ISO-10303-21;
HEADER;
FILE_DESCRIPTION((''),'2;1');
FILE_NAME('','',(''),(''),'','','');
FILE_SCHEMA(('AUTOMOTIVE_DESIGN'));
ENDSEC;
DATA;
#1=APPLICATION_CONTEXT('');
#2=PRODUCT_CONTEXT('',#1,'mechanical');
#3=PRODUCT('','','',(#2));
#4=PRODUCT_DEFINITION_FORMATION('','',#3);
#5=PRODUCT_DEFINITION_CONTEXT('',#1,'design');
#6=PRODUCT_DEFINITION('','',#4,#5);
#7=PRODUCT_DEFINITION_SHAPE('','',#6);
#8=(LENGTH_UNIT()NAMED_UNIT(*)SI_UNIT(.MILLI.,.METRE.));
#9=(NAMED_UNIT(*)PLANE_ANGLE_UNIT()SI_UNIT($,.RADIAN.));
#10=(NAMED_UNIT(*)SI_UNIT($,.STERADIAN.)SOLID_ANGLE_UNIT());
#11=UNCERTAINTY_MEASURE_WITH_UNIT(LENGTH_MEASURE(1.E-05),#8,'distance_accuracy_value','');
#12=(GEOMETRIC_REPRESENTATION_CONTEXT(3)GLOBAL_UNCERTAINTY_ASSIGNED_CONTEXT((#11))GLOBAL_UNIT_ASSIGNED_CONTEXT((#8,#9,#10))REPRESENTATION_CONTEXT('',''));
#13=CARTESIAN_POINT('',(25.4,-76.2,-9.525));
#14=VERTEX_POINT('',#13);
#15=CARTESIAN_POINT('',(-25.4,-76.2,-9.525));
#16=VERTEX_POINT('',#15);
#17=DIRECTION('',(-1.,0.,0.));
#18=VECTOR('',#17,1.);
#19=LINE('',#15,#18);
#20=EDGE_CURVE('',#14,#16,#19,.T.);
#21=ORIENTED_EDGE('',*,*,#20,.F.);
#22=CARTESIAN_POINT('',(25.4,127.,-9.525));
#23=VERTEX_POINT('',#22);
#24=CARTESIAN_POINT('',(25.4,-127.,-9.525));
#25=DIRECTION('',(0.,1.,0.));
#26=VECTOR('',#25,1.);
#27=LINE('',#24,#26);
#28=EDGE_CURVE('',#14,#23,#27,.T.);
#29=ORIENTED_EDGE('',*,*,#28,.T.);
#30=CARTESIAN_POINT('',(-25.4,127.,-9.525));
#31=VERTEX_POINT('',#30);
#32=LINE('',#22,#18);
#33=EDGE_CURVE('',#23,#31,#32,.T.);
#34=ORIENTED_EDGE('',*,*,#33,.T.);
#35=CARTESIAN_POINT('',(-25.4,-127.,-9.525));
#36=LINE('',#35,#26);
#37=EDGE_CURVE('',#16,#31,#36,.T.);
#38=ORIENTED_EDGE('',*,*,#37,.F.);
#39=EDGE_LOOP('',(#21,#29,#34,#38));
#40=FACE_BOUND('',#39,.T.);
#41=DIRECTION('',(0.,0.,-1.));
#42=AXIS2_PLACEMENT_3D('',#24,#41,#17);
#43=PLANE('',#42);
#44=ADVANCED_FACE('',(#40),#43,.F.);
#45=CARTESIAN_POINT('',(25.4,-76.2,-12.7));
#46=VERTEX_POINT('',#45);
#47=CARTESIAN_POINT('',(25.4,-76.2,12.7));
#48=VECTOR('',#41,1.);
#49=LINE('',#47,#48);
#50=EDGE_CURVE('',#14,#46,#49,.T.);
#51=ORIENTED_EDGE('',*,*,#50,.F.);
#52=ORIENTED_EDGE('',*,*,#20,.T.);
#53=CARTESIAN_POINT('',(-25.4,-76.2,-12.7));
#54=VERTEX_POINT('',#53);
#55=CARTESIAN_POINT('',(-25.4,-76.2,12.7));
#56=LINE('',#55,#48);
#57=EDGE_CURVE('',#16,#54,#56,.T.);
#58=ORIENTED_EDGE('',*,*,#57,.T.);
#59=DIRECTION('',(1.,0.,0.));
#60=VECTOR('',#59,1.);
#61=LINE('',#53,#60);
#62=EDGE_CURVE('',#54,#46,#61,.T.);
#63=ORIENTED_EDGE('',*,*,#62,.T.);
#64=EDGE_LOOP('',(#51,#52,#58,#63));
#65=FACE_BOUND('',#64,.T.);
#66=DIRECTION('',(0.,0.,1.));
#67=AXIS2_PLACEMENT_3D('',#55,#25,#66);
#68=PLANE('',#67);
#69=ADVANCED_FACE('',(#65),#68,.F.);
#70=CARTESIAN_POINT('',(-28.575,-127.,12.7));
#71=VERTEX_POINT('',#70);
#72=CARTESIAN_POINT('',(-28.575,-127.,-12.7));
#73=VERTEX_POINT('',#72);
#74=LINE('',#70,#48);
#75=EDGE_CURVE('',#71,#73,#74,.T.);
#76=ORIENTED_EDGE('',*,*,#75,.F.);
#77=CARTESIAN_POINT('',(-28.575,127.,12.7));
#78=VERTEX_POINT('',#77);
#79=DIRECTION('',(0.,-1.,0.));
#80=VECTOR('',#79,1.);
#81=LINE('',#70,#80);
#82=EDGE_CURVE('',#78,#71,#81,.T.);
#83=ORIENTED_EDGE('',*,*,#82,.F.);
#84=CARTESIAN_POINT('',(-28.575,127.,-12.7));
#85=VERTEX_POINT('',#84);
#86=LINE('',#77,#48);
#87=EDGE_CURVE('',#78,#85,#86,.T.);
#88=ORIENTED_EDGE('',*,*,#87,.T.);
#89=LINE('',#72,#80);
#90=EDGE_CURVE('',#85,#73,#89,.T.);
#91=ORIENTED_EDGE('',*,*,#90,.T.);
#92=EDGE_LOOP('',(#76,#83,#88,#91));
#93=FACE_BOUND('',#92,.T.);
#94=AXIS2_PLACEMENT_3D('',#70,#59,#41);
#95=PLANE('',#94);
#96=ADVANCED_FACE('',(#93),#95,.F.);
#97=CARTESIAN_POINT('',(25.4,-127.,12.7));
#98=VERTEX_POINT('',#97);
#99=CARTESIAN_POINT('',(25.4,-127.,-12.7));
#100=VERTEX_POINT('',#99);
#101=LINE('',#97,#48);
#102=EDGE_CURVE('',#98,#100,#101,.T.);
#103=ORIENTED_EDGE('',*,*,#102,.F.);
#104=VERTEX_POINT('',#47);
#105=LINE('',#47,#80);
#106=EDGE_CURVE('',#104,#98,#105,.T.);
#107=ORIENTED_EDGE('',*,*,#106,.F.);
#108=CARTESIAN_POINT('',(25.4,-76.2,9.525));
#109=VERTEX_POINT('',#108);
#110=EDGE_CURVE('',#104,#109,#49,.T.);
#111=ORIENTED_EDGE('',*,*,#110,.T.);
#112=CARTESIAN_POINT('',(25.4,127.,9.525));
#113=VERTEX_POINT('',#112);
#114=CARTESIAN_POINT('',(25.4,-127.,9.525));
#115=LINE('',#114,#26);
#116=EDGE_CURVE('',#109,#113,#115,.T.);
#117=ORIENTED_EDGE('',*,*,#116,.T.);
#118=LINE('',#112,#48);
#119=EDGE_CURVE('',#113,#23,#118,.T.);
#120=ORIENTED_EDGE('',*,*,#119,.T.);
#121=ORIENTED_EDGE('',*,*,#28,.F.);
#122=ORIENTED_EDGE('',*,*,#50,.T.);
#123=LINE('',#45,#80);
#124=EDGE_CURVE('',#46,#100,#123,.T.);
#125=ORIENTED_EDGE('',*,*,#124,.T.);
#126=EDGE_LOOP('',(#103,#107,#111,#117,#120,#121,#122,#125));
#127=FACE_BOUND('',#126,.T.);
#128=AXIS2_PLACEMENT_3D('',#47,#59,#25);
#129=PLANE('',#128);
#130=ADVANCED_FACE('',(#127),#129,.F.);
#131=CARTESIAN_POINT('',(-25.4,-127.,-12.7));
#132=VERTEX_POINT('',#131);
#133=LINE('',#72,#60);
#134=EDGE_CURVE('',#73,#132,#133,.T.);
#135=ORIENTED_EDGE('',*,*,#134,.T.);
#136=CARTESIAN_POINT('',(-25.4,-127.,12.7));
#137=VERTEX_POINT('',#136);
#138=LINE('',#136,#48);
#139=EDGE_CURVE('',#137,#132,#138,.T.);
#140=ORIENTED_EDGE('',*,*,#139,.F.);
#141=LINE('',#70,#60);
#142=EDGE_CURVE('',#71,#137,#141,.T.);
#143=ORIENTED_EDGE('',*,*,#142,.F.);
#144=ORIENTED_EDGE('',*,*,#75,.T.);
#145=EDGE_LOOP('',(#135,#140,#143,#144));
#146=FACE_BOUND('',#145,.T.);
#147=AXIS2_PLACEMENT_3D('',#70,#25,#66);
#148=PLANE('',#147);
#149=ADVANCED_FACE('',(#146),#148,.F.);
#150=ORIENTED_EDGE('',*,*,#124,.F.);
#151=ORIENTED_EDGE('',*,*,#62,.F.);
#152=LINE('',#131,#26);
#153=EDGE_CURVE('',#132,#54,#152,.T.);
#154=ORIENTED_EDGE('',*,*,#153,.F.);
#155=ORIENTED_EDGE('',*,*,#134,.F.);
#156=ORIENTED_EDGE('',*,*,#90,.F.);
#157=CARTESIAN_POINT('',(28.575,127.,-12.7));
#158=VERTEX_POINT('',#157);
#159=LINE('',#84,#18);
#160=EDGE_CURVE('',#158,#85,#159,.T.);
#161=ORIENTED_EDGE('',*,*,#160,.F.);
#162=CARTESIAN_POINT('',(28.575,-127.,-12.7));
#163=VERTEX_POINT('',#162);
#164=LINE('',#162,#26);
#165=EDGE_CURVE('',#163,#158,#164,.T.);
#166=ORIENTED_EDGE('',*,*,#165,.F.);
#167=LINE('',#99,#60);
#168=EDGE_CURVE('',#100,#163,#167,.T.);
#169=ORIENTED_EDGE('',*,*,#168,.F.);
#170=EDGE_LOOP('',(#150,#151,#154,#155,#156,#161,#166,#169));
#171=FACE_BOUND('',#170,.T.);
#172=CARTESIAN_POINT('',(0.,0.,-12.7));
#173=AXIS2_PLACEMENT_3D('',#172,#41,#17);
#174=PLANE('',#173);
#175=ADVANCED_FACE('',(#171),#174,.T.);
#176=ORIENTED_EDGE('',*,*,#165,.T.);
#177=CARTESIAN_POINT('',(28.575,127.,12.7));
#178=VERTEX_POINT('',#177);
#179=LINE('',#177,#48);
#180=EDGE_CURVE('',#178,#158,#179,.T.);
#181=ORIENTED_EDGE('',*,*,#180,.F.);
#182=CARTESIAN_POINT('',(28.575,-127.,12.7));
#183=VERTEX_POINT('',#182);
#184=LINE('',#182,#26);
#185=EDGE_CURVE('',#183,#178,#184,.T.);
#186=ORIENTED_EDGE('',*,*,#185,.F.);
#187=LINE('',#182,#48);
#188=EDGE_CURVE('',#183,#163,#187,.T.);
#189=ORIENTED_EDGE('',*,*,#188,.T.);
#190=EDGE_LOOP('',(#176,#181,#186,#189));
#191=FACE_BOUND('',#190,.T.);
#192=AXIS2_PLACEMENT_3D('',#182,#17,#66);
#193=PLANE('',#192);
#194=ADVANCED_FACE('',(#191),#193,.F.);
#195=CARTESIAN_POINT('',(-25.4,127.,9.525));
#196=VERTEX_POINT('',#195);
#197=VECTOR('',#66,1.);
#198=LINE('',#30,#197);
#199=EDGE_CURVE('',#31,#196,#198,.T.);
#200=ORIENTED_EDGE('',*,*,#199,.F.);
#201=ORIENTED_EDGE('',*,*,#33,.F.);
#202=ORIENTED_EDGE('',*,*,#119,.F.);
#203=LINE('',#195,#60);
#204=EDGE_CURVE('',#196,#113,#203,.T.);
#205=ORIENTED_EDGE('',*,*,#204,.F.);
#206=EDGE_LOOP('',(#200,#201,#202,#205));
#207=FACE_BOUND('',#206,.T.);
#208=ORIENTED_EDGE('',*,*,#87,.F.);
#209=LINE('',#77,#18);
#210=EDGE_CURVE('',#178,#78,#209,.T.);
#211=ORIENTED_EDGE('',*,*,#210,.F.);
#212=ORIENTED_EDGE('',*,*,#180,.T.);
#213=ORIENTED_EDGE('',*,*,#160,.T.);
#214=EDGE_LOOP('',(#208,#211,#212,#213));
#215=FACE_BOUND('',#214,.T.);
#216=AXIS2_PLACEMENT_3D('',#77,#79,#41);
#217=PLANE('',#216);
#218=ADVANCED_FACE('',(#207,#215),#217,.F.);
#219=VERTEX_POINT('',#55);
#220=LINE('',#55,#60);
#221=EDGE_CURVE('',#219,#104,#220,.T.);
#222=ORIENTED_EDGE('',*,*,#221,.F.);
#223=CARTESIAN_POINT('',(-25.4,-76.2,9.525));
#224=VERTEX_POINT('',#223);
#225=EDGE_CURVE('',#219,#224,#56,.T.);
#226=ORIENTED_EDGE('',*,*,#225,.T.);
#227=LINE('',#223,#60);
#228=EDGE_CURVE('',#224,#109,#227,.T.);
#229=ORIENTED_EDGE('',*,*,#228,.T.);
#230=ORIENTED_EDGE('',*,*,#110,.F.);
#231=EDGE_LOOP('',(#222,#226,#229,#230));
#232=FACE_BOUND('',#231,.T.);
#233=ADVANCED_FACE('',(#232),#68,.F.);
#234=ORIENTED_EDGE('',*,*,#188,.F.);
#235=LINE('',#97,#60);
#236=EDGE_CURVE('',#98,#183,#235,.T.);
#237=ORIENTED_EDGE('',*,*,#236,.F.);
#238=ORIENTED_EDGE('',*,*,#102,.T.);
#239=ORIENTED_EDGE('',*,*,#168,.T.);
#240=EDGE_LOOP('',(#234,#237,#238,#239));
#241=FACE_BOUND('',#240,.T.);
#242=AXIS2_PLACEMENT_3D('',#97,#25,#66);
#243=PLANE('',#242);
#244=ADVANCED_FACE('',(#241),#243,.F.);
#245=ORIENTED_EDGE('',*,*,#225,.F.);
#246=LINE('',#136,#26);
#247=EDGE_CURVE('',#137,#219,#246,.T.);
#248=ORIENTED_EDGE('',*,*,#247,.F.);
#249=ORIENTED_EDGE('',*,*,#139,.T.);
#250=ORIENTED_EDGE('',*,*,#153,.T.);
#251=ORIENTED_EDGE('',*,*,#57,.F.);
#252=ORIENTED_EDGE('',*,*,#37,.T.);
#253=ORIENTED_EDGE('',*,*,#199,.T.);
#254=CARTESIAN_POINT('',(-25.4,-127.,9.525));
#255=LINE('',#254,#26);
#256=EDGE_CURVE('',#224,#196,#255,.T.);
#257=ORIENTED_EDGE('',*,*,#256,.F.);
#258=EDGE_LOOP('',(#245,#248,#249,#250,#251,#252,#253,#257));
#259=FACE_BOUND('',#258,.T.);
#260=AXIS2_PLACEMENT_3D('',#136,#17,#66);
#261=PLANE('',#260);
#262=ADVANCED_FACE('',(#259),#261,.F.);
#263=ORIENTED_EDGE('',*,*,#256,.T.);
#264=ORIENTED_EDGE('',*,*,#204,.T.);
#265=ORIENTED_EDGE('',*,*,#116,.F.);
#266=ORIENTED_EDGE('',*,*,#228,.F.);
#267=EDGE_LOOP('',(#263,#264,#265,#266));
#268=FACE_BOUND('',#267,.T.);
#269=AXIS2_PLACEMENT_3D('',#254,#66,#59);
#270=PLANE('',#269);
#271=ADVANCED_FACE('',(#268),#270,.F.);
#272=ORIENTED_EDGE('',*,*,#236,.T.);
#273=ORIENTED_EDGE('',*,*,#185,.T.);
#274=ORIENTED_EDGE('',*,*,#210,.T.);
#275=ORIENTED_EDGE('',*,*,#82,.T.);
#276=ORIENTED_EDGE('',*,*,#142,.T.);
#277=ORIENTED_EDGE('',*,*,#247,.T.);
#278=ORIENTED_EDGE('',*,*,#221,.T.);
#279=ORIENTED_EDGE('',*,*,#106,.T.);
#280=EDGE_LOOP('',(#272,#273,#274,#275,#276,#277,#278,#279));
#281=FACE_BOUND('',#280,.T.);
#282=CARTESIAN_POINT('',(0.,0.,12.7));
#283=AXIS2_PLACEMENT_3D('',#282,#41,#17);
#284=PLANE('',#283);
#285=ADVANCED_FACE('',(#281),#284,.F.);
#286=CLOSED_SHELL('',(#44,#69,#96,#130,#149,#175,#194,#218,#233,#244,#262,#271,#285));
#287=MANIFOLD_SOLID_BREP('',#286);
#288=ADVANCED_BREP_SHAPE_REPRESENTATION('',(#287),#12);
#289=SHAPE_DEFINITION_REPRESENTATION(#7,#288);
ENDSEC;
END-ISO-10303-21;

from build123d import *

# Parameters (mm, degrees)
BOSS_EXTRUDE2_DEPTH = 12.7
SKETCH2_W           = 50.8
SKETCH2_H           = 19.05
CUT_EXTRUDE1_DEPTH  = 256.917605149


with BuildPart() as part:
    # Sketch1 → Boss-Extrude2 (new, symmetric)
    with BuildSketch(Plane.XY):
        Polygon((-25.4, -127), (-25.4, -76.2), (25.4, -76.2), (25.4, -127), (28.575, -127), (28.575, 127), (-28.575, 127), (-28.575, -127), align=None)
    extrude(amount=BOSS_EXTRUDE2_DEPTH, both=True)

    # Sketch2 → Cut-Extrude1 (cut, through all)
    with BuildSketch(Plane(origin=(0, 127, 0), x_dir=(1, 0, 0), z_dir=(0, 1, 0))):
        Rectangle(SKETCH2_W, SKETCH2_H)
    extrude(amount=-CUT_EXTRUDE1_DEPTH, mode=Mode.SUBTRACT)


solid = part.part
